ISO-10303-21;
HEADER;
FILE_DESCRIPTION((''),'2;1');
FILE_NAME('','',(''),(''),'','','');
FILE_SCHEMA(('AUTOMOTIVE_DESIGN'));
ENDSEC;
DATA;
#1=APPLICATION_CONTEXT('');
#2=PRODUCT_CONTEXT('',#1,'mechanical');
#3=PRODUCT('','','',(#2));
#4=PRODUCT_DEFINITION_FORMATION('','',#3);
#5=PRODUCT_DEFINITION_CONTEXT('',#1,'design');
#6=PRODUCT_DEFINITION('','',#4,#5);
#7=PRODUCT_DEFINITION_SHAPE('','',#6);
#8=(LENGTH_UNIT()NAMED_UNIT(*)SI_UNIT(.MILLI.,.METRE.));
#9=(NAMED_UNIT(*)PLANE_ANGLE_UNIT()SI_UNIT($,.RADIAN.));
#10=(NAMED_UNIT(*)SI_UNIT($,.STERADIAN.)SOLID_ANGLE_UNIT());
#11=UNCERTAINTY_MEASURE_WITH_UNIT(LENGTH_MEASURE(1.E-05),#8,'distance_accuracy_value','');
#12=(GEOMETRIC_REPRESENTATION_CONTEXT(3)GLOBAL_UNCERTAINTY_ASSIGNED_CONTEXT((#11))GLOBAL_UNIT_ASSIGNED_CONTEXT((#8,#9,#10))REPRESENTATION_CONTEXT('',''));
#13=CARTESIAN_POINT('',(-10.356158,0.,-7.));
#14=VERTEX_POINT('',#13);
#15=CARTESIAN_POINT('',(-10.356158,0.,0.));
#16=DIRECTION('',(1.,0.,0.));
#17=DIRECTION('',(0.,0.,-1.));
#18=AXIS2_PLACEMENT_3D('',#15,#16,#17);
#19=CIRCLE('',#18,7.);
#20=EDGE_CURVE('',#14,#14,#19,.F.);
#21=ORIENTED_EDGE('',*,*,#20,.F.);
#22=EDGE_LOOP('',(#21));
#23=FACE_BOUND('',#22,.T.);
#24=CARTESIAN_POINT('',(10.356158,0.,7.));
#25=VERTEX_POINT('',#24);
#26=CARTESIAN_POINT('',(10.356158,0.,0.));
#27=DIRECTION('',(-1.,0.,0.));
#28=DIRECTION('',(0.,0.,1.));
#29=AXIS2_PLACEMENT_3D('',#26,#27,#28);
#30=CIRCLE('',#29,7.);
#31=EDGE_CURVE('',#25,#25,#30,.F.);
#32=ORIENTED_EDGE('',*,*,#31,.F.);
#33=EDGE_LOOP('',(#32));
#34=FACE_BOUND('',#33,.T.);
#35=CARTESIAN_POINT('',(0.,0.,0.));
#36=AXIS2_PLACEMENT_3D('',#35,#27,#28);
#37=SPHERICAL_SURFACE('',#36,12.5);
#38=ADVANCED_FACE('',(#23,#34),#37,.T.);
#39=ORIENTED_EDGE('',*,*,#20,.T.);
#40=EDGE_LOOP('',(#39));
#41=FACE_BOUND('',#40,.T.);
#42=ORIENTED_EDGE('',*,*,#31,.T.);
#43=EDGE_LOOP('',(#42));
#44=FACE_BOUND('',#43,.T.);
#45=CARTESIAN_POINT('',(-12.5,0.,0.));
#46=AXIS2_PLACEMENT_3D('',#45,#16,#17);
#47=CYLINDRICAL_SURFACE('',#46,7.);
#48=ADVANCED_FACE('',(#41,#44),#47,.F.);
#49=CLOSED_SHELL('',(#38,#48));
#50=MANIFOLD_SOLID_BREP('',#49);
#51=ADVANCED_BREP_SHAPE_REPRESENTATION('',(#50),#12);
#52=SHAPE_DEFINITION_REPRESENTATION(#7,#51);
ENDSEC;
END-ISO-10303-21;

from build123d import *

# Parameters (mm, degrees)
WYTNIJ_WYCI_GNI_CIE1_DEPTH      = 22.650635095
WYTNIJ_WYCI_GNI_CIE1_DEPTH_BACK = 22.650635095
SZKIC3_R                        = 7


with BuildPart() as part:
    # Szkic2 → Obrót1 (revolve)
    with BuildSketch(Plane.XY):
        with BuildLine():
            Line((0, 12.5), (0, -12.5))
            ThreePointArc((0, -12.5), (-12.5, 0), (0, 12.5))
        make_face()
    revolve(axis=Axis((0, 63.085106383, 0), (0, -1, 0)))

    # Szkic3 → Wytnij-wyciągnięcie1 (cut, two sides: drawn at the far end of the back side and taken through both)
    with BuildSketch(Plane(origin=(0, 0, 0), x_dir=(0, 0, -1), z_dir=(1, 0, 0)).offset(-WYTNIJ_WYCI_GNI_CIE1_DEPTH_BACK)):
        with Locations(Location((0, 0, 0), (0, 0, 180))):
            Circle(SZKIC3_R)
    extrude(amount=WYTNIJ_WYCI_GNI_CIE1_DEPTH + WYTNIJ_WYCI_GNI_CIE1_DEPTH_BACK, mode=Mode.SUBTRACT)


solid = part.part
